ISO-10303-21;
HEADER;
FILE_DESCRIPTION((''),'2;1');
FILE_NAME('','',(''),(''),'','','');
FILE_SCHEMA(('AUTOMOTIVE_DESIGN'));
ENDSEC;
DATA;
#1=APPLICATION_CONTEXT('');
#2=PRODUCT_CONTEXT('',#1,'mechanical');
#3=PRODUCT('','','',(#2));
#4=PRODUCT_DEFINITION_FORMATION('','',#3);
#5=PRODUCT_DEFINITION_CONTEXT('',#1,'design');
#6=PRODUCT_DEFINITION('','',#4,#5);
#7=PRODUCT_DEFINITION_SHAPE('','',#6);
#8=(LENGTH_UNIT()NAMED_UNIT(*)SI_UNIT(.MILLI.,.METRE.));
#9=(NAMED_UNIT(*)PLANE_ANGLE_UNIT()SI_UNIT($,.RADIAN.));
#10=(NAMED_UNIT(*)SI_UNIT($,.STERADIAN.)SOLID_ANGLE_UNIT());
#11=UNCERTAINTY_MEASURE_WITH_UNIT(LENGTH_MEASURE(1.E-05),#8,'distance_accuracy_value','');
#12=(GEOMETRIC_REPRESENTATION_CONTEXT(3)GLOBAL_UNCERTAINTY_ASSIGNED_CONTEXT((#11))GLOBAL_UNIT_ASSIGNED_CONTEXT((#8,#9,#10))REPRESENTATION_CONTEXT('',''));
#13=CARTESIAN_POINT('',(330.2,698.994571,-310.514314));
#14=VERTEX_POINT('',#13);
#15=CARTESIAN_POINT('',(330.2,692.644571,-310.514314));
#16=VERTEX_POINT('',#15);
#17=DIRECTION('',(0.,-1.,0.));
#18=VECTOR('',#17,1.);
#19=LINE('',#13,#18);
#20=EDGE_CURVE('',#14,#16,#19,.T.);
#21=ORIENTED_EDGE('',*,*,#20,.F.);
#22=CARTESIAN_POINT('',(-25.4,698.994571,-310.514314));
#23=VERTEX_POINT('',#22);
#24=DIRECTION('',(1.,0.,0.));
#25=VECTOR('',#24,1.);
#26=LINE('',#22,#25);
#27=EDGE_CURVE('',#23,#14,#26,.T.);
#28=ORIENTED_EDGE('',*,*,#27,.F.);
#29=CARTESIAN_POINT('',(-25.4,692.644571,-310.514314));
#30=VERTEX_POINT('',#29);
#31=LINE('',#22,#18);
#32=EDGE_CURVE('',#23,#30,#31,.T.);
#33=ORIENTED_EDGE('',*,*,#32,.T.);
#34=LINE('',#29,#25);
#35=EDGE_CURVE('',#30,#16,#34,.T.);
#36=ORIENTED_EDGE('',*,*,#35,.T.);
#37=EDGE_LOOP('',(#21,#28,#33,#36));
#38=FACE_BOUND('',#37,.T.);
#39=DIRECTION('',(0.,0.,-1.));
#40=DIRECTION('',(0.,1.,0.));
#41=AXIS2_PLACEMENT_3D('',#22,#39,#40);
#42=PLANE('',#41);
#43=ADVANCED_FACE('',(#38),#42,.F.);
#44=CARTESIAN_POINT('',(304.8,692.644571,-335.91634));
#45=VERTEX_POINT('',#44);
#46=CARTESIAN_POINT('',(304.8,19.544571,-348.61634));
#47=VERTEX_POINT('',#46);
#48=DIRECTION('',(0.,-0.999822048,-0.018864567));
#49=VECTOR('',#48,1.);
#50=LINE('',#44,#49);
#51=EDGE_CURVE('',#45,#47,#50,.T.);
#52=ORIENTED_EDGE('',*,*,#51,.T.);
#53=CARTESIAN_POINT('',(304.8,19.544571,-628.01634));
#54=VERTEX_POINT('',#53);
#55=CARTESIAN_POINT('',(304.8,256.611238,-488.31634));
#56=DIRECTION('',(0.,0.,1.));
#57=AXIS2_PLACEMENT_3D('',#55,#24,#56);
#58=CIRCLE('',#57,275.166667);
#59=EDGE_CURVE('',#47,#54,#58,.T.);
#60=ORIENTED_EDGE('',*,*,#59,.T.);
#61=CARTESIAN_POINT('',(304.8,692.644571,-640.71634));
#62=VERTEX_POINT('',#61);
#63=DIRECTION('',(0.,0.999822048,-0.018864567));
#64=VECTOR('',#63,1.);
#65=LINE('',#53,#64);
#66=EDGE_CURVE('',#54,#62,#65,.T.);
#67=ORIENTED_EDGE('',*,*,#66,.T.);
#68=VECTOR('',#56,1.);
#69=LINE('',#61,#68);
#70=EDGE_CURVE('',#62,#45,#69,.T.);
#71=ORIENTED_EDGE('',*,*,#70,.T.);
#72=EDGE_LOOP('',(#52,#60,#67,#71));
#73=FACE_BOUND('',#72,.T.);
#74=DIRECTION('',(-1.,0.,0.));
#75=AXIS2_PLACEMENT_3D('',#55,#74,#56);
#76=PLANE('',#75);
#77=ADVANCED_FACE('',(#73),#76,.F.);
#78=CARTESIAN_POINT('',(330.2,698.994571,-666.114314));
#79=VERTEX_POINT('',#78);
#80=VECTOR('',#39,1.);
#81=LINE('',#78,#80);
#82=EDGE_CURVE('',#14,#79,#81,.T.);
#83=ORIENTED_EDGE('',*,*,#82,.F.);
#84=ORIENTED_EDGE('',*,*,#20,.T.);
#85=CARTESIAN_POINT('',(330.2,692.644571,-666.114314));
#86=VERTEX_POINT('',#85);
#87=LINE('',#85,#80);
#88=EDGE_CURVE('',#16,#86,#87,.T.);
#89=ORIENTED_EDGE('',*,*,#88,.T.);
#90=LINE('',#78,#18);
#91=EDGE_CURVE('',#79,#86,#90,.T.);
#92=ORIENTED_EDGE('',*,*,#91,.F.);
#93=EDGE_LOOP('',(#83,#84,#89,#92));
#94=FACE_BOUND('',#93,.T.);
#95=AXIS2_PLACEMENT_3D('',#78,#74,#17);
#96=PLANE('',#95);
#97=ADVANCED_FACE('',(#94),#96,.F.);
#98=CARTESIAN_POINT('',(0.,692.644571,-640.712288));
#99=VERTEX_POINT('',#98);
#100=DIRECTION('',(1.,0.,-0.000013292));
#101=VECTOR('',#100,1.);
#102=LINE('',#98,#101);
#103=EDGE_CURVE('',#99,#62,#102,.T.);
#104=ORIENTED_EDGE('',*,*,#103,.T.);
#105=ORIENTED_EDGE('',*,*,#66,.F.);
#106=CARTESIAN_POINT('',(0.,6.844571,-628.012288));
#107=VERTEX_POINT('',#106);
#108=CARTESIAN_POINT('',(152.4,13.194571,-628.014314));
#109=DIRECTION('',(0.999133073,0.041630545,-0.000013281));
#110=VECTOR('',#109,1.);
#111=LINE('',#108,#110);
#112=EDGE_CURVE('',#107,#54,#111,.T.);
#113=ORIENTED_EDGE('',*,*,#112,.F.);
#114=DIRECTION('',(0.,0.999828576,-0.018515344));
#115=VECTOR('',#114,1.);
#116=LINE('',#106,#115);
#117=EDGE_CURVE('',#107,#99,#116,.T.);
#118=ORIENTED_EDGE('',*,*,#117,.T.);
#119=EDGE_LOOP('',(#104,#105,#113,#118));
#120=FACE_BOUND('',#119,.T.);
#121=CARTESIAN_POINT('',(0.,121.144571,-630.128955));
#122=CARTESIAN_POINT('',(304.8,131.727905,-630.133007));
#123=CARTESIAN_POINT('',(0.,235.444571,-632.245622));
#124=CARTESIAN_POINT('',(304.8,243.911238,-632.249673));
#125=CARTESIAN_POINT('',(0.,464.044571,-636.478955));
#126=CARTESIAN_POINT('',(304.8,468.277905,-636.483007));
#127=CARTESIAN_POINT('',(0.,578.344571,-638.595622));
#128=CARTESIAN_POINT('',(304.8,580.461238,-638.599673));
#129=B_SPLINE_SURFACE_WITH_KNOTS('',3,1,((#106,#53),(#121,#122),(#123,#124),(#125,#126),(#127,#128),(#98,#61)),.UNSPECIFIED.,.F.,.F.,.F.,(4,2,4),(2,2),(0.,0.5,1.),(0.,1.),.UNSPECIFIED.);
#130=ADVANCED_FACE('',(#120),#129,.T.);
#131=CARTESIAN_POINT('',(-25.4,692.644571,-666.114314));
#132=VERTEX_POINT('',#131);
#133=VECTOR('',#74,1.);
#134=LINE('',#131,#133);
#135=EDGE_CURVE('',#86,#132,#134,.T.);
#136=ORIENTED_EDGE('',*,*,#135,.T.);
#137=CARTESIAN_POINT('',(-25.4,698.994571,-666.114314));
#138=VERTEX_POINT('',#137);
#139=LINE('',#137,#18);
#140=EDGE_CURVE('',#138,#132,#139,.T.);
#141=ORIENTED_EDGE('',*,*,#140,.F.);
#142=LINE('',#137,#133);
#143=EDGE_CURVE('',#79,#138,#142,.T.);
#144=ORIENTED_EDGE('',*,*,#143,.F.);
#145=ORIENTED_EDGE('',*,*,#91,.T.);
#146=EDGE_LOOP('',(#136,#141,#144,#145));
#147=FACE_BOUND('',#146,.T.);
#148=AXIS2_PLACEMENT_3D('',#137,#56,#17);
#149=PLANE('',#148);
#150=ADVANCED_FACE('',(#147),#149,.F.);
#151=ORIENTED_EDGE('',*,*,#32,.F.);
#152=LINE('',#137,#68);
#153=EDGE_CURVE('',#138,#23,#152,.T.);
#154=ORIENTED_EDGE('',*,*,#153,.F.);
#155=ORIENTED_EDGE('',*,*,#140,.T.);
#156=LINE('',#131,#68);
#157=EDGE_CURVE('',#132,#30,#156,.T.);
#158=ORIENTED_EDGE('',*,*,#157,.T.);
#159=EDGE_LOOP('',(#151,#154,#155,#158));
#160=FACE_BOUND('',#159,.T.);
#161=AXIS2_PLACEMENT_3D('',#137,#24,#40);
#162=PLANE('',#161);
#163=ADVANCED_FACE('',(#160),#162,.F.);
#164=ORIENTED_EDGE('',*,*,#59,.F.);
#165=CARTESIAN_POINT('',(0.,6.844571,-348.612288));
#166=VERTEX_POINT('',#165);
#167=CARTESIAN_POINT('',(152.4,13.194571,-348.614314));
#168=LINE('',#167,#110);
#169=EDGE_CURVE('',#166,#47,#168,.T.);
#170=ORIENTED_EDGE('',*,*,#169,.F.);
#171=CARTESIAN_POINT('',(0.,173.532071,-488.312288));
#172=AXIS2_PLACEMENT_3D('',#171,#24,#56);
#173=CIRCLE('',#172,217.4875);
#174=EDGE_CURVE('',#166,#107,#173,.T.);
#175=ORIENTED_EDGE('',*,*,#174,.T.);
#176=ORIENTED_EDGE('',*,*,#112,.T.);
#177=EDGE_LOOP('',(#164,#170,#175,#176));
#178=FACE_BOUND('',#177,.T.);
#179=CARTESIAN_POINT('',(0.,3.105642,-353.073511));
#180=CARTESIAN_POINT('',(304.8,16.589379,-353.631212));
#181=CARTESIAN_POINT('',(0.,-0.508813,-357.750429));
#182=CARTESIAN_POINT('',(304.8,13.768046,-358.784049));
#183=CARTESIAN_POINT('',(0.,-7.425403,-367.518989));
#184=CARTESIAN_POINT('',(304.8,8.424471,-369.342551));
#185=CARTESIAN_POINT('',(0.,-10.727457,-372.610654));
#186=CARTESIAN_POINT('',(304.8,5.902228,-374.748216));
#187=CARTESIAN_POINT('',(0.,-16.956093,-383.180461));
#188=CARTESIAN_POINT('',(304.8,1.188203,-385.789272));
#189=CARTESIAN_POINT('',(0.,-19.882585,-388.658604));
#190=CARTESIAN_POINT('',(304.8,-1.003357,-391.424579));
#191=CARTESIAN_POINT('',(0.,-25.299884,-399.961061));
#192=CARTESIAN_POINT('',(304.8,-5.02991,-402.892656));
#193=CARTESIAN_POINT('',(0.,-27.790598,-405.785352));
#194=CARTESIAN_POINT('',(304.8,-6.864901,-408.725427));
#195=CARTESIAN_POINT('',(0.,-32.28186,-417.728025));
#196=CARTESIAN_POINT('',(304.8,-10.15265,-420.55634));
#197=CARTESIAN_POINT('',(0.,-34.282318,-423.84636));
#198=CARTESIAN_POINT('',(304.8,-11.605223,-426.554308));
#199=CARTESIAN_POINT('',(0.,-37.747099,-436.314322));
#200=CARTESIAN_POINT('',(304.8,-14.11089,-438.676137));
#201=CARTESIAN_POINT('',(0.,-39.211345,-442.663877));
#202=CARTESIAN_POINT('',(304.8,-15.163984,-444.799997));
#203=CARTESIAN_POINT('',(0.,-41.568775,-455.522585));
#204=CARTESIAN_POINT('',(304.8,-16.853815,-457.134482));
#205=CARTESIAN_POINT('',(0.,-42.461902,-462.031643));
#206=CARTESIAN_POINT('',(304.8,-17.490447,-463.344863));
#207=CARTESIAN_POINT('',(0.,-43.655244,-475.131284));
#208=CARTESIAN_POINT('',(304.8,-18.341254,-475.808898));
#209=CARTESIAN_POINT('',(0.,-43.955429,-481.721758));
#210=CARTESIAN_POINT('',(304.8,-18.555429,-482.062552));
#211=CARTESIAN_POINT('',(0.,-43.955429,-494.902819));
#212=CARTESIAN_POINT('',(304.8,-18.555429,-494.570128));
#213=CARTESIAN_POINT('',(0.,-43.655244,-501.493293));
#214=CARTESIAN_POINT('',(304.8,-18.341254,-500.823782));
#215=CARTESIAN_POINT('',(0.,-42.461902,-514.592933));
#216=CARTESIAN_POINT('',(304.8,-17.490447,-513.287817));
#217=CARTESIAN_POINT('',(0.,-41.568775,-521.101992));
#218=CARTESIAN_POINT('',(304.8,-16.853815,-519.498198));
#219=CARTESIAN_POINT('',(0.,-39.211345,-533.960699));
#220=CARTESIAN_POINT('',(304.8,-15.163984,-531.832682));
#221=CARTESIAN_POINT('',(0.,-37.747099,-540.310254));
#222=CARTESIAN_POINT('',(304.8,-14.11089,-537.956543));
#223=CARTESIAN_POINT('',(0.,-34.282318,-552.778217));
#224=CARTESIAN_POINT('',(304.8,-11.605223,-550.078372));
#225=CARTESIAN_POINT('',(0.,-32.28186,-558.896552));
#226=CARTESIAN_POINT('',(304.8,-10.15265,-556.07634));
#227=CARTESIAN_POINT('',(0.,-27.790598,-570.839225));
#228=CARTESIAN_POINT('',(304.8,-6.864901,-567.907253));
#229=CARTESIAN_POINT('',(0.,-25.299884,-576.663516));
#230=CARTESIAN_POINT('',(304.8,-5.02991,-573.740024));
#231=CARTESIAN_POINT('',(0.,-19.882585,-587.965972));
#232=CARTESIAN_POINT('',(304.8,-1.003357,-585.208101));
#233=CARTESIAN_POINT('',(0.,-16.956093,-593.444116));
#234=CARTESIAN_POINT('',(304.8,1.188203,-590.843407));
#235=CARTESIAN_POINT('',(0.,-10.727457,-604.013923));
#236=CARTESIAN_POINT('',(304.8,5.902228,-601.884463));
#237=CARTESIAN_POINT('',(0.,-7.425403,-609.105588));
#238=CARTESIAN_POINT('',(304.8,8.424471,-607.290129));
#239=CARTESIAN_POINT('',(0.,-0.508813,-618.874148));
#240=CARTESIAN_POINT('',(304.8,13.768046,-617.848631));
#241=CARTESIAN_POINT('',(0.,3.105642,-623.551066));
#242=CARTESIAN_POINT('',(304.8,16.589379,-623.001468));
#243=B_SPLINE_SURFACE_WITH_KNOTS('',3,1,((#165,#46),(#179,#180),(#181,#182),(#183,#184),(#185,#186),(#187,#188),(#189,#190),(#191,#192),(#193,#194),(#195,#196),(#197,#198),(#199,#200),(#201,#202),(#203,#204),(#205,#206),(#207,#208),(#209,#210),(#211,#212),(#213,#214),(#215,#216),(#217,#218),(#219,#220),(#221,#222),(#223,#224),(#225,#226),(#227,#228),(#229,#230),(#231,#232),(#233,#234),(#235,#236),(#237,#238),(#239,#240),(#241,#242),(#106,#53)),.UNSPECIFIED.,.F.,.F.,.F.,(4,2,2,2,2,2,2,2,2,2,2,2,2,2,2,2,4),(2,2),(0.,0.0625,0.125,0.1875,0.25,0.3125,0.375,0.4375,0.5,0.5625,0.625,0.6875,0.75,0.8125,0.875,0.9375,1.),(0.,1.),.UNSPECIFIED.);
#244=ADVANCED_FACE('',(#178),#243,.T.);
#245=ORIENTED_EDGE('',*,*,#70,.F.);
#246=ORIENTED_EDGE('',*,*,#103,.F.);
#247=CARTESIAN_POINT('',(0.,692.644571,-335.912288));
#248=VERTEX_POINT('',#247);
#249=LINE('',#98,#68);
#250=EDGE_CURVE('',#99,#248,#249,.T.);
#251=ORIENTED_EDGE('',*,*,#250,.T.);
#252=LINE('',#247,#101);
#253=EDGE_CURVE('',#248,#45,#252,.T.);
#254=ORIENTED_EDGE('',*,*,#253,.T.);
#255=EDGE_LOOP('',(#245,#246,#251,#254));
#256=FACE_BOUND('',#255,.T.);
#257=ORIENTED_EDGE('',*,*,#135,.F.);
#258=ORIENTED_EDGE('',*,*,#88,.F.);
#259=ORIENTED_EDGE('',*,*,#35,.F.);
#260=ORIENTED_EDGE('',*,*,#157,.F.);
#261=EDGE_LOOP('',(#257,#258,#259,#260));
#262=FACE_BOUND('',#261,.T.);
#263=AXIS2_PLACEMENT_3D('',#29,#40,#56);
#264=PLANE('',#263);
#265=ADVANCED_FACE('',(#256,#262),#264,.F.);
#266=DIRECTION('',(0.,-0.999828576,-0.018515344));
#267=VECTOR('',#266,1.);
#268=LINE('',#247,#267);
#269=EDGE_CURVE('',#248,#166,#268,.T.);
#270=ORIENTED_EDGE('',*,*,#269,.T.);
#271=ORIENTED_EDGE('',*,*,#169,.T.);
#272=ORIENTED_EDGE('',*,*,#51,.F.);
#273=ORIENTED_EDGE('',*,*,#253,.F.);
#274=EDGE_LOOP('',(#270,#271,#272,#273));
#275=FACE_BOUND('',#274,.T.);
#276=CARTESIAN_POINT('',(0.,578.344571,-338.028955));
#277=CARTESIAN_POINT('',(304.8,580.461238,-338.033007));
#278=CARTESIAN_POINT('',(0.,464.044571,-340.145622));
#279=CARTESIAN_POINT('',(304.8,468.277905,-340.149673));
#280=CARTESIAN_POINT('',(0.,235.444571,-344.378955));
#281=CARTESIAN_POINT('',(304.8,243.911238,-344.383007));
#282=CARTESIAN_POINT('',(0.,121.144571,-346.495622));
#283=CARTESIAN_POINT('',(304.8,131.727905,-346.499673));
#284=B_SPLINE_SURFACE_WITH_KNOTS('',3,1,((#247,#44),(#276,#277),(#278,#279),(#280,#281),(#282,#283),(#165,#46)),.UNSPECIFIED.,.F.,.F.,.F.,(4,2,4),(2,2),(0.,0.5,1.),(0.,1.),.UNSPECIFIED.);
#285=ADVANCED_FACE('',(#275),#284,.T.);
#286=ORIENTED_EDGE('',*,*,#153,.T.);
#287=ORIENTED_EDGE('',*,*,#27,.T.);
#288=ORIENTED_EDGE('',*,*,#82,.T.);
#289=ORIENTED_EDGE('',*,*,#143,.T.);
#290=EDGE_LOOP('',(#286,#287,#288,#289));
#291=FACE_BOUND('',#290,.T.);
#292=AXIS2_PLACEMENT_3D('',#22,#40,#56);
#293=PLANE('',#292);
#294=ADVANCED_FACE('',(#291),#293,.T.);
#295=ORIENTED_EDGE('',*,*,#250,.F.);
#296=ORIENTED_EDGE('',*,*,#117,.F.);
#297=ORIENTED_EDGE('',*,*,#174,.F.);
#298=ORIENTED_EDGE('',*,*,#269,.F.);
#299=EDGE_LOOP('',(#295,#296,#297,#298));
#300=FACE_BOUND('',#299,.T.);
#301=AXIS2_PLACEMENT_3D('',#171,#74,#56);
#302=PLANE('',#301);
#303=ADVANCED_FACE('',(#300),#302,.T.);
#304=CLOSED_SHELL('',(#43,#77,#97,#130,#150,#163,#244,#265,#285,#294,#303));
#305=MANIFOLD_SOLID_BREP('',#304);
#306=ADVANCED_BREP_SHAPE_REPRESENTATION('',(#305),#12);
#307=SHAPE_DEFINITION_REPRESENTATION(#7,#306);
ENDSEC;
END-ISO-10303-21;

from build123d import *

# Parameters (mm, degrees)
SKETCH9_W = 355.6
SKETCH9_H = 355.6
LID_DEPTH = 6.35


with BuildPart() as part:
    # Tall side for Body → Body section 0
    with BuildSketch(Plane(origin=(0, 0, 0), x_dir=(0, 0, -1), z_dir=(1, 0, 0))):
        with BuildLine():
            Line((640.712288406, 692.644571301), (335.912288406, 692.644571301))
            Line((335.912288406, 692.644571301), (348.612288406, 6.844571301))
            # circular arc as an exact rational Bezier (weights 1, cos(half-angle), 1)
            Bezier((348.612288406, 6.844571301), (488.312288406, -110.237333461), (628.012288406, 6.844571301), weights=[1, 0.766423358, 1])
            Line((628.012288406, 6.844571301), (640.712288406, 692.644571301))
        make_face()
    # Short side for Body → Body section 1
    with BuildSketch(Plane(origin=(304.8, 0, 0), x_dir=(0, 0, -1), z_dir=(1, 0, 0))):
        with BuildLine():
            Line((640.716339838, 692.644571301), (335.916339838, 692.644571301))
            Line((335.916339838, 692.644571301), (348.616339838, 19.544571301))
            Bezier((348.616339838, 19.544571301), (488.316339838, -62.778642984), (628.016339838, 19.544571301), weights=[1, 0.861538462, 1])
            Line((628.016339838, 19.544571301), (640.716339838, 692.644571301))
        make_face()
    loft()

    # Sketch9 → Lid (add)
    with BuildSketch(Plane(origin=(0, 692.644571301, 0), x_dir=(1, 0, 0), z_dir=(0, 1, 0))):
        with Locations((152.4, 488.314314122)):
            Rectangle(SKETCH9_W, SKETCH9_H)
    extrude(amount=LID_DEPTH)


solid = part.part
